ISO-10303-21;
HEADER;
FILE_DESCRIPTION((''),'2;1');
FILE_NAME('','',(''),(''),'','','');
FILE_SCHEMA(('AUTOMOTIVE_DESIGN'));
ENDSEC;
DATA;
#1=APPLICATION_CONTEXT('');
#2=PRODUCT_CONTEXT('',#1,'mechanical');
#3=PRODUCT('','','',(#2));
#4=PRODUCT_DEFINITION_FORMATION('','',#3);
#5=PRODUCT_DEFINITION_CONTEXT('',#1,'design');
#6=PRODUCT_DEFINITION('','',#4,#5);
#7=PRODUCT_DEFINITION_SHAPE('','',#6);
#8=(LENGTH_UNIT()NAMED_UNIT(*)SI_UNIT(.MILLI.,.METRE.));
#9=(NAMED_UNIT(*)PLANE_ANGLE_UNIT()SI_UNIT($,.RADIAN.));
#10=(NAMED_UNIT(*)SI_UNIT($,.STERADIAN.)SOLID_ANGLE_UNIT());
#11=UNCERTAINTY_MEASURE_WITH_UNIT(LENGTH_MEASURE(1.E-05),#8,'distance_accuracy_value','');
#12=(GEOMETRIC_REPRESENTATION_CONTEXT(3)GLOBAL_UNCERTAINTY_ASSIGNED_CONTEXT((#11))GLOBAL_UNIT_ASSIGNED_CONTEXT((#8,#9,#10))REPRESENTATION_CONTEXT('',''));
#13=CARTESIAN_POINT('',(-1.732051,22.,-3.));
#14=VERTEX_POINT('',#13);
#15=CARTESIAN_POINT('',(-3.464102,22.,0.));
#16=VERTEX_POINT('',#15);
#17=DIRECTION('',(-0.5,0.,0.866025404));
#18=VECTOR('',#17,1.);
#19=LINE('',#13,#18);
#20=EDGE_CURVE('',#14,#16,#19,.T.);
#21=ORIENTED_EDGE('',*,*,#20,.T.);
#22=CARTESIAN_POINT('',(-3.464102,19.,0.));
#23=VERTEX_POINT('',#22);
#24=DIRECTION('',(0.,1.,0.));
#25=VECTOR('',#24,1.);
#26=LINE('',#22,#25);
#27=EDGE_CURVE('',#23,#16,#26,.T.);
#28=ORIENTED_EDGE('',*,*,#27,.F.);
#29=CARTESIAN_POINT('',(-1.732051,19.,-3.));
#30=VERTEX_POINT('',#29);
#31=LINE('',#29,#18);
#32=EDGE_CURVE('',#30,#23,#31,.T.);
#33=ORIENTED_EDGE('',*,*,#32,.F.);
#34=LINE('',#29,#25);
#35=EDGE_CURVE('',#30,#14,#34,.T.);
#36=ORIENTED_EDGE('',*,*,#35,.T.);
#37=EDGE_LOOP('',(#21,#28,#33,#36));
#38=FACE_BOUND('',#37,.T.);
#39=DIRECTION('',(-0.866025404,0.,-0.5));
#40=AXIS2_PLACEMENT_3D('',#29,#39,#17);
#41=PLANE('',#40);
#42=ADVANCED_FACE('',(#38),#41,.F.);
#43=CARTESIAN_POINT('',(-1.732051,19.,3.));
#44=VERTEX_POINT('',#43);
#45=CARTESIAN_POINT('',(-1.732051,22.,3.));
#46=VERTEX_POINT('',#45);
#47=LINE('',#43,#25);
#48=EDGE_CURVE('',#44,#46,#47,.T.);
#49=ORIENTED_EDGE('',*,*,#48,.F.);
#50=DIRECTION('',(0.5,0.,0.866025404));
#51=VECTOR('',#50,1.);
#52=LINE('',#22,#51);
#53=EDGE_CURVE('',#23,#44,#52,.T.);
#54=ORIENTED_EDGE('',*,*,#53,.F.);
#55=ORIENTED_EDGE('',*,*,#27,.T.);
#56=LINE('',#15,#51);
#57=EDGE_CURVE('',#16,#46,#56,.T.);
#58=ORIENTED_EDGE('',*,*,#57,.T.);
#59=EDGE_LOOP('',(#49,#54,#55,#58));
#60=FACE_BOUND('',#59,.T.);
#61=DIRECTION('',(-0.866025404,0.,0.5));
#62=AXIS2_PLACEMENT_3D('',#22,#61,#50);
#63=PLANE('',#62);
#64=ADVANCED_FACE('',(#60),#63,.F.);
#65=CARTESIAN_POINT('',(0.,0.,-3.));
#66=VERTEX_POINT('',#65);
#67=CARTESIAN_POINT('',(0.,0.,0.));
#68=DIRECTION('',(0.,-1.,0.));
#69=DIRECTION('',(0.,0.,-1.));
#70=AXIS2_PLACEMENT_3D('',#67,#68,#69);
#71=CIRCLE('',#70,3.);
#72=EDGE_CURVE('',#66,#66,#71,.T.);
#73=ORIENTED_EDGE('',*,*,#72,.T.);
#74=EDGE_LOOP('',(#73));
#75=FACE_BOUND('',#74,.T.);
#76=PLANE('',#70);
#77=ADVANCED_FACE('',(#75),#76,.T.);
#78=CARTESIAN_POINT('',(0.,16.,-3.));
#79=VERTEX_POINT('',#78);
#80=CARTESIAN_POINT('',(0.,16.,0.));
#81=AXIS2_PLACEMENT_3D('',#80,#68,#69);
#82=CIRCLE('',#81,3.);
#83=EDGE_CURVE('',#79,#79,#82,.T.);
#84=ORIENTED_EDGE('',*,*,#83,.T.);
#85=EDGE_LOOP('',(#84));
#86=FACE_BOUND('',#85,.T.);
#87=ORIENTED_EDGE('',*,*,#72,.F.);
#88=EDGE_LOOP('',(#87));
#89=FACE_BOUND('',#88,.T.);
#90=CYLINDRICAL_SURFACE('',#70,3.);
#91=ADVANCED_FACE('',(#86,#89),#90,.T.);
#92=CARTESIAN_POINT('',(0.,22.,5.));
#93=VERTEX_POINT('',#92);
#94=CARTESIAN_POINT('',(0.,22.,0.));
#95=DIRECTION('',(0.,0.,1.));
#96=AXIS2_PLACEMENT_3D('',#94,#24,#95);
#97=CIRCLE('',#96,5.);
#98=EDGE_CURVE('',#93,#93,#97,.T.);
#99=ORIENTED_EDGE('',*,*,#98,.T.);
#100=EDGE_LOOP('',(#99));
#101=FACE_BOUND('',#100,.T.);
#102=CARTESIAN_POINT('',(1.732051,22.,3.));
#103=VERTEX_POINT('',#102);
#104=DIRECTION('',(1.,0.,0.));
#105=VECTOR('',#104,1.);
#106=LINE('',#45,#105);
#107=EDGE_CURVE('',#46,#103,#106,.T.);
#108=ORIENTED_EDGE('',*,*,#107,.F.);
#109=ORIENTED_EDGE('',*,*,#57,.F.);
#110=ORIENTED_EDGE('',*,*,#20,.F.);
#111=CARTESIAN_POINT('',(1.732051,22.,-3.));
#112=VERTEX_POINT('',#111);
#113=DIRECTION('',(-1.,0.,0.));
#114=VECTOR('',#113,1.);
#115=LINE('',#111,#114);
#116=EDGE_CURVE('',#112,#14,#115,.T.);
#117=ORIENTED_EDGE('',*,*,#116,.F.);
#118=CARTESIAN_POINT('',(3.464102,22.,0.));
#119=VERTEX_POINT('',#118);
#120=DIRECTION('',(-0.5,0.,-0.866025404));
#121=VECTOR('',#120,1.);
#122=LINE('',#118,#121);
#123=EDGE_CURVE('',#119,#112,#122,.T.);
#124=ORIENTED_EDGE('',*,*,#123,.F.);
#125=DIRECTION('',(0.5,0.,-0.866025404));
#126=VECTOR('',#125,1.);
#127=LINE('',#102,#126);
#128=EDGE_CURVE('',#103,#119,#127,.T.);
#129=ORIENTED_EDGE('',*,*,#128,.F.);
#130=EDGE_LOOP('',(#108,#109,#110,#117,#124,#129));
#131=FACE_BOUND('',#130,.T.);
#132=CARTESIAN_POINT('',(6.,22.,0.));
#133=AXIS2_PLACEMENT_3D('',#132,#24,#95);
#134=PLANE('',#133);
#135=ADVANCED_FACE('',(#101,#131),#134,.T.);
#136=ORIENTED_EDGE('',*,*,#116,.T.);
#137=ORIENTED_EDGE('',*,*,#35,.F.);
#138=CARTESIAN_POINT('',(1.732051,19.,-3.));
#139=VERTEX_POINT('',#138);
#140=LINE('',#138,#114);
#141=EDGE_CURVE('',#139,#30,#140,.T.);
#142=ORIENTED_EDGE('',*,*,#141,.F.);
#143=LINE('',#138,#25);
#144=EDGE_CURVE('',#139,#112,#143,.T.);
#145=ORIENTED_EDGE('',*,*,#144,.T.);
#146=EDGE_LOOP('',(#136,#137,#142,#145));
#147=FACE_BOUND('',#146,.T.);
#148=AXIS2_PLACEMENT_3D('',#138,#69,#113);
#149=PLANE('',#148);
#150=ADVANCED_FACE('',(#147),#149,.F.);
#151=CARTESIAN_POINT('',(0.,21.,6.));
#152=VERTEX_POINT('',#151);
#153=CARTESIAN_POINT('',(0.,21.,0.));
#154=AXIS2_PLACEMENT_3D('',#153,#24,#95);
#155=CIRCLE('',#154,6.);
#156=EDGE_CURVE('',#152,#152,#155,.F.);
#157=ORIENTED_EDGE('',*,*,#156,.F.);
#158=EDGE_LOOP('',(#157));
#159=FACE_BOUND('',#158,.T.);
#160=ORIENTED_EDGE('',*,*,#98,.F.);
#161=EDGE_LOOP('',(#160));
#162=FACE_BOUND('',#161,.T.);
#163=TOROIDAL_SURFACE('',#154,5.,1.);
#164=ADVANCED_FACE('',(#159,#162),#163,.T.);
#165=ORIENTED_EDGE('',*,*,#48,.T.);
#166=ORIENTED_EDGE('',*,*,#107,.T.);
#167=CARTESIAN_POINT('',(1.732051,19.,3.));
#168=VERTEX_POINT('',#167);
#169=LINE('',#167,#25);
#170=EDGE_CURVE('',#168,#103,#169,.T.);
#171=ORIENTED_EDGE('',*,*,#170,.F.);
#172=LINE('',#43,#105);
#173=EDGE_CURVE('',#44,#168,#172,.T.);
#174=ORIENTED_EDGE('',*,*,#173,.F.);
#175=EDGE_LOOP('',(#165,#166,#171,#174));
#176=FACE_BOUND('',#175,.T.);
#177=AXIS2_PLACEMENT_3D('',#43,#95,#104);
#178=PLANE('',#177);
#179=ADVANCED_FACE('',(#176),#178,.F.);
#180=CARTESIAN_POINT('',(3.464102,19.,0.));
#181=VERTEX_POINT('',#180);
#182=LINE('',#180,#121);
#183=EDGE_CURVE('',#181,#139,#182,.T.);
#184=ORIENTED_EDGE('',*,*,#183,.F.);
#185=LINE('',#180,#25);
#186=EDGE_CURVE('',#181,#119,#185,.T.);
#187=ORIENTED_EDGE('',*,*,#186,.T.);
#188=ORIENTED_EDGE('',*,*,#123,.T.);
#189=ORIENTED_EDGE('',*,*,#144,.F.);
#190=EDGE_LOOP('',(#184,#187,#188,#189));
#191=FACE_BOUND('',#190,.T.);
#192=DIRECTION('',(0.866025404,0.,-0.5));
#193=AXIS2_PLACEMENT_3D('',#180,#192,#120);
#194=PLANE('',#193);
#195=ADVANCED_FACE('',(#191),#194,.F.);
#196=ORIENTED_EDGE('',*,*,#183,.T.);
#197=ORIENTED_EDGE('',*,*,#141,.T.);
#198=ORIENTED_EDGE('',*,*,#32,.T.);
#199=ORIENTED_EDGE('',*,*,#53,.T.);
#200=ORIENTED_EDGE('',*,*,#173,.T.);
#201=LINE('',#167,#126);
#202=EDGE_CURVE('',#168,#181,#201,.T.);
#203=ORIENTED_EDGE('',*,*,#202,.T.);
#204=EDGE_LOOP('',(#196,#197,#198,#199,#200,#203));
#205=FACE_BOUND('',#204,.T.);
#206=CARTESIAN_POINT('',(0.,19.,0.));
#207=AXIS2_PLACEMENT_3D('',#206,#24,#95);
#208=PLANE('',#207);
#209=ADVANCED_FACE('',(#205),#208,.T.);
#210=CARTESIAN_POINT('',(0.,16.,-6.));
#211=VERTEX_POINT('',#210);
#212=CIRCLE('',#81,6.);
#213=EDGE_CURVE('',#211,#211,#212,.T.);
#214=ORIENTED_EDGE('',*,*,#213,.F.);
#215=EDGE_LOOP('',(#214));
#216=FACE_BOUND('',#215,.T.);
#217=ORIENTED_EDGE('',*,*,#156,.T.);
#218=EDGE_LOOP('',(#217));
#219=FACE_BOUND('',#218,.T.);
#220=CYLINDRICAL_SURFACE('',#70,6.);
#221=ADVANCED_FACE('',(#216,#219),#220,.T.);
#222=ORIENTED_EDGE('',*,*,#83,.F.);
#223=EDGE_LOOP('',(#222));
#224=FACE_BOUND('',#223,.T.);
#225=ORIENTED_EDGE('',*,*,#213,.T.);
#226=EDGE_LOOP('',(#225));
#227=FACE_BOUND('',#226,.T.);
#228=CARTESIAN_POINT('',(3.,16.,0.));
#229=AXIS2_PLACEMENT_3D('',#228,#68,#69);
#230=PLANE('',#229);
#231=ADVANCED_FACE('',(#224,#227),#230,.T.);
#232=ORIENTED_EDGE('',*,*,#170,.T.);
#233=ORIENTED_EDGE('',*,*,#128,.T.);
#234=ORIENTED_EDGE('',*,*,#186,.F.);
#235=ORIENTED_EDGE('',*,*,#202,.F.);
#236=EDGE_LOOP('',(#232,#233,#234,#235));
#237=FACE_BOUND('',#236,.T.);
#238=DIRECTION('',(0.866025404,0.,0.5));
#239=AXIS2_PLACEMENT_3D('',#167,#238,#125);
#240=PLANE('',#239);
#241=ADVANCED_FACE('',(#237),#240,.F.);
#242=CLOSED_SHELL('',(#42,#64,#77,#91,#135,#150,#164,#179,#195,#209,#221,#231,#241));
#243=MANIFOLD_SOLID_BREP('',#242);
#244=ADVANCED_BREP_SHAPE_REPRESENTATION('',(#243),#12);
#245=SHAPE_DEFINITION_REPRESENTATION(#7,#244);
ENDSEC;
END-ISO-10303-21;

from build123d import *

# Parameters (mm, degrees)
CUT_EXTRUDE1_DEPTH = 3
FILLET1_R          = 1


with BuildPart() as part:
    # Sketch1 → Revolve1 (revolve)
    with BuildSketch(Plane.XY, mode=Mode.PRIVATE) as revolve1_sk:
        Polygon((0, 0), (3, 0), (3, 16), (6, 16), (6, 22), (0, 22), align=None)
    revolve(revolve1_sk.sketch.rotate(Axis((0, 0, 0), (0, 1, 0)), 90), axis=Axis((0, 0, 0), (0, 1, 0)))

    # Sketch2 → Cut-Extrude1 (cut)
    with BuildSketch(Plane(origin=(0, 22, 0), x_dir=(1, 0, 0), z_dir=(0, 1, 0))):
        Polygon((1.732050808, 3), (-1.732050808, 3), (-3.464101615, 0), (-1.732050808, -3), (1.732050808, -3), (3.464101615, 0), align=None)
    extrude(amount=-CUT_EXTRUDE1_DEPTH, mode=Mode.SUBTRACT)

    # Fillet1
    fillet1_edges = [part.edges().sort_by_distance(p)[0] for p in [
        (0, 22, 6),
    ]]
    fillet(fillet1_edges, radius=FILLET1_R)


solid = part.part
